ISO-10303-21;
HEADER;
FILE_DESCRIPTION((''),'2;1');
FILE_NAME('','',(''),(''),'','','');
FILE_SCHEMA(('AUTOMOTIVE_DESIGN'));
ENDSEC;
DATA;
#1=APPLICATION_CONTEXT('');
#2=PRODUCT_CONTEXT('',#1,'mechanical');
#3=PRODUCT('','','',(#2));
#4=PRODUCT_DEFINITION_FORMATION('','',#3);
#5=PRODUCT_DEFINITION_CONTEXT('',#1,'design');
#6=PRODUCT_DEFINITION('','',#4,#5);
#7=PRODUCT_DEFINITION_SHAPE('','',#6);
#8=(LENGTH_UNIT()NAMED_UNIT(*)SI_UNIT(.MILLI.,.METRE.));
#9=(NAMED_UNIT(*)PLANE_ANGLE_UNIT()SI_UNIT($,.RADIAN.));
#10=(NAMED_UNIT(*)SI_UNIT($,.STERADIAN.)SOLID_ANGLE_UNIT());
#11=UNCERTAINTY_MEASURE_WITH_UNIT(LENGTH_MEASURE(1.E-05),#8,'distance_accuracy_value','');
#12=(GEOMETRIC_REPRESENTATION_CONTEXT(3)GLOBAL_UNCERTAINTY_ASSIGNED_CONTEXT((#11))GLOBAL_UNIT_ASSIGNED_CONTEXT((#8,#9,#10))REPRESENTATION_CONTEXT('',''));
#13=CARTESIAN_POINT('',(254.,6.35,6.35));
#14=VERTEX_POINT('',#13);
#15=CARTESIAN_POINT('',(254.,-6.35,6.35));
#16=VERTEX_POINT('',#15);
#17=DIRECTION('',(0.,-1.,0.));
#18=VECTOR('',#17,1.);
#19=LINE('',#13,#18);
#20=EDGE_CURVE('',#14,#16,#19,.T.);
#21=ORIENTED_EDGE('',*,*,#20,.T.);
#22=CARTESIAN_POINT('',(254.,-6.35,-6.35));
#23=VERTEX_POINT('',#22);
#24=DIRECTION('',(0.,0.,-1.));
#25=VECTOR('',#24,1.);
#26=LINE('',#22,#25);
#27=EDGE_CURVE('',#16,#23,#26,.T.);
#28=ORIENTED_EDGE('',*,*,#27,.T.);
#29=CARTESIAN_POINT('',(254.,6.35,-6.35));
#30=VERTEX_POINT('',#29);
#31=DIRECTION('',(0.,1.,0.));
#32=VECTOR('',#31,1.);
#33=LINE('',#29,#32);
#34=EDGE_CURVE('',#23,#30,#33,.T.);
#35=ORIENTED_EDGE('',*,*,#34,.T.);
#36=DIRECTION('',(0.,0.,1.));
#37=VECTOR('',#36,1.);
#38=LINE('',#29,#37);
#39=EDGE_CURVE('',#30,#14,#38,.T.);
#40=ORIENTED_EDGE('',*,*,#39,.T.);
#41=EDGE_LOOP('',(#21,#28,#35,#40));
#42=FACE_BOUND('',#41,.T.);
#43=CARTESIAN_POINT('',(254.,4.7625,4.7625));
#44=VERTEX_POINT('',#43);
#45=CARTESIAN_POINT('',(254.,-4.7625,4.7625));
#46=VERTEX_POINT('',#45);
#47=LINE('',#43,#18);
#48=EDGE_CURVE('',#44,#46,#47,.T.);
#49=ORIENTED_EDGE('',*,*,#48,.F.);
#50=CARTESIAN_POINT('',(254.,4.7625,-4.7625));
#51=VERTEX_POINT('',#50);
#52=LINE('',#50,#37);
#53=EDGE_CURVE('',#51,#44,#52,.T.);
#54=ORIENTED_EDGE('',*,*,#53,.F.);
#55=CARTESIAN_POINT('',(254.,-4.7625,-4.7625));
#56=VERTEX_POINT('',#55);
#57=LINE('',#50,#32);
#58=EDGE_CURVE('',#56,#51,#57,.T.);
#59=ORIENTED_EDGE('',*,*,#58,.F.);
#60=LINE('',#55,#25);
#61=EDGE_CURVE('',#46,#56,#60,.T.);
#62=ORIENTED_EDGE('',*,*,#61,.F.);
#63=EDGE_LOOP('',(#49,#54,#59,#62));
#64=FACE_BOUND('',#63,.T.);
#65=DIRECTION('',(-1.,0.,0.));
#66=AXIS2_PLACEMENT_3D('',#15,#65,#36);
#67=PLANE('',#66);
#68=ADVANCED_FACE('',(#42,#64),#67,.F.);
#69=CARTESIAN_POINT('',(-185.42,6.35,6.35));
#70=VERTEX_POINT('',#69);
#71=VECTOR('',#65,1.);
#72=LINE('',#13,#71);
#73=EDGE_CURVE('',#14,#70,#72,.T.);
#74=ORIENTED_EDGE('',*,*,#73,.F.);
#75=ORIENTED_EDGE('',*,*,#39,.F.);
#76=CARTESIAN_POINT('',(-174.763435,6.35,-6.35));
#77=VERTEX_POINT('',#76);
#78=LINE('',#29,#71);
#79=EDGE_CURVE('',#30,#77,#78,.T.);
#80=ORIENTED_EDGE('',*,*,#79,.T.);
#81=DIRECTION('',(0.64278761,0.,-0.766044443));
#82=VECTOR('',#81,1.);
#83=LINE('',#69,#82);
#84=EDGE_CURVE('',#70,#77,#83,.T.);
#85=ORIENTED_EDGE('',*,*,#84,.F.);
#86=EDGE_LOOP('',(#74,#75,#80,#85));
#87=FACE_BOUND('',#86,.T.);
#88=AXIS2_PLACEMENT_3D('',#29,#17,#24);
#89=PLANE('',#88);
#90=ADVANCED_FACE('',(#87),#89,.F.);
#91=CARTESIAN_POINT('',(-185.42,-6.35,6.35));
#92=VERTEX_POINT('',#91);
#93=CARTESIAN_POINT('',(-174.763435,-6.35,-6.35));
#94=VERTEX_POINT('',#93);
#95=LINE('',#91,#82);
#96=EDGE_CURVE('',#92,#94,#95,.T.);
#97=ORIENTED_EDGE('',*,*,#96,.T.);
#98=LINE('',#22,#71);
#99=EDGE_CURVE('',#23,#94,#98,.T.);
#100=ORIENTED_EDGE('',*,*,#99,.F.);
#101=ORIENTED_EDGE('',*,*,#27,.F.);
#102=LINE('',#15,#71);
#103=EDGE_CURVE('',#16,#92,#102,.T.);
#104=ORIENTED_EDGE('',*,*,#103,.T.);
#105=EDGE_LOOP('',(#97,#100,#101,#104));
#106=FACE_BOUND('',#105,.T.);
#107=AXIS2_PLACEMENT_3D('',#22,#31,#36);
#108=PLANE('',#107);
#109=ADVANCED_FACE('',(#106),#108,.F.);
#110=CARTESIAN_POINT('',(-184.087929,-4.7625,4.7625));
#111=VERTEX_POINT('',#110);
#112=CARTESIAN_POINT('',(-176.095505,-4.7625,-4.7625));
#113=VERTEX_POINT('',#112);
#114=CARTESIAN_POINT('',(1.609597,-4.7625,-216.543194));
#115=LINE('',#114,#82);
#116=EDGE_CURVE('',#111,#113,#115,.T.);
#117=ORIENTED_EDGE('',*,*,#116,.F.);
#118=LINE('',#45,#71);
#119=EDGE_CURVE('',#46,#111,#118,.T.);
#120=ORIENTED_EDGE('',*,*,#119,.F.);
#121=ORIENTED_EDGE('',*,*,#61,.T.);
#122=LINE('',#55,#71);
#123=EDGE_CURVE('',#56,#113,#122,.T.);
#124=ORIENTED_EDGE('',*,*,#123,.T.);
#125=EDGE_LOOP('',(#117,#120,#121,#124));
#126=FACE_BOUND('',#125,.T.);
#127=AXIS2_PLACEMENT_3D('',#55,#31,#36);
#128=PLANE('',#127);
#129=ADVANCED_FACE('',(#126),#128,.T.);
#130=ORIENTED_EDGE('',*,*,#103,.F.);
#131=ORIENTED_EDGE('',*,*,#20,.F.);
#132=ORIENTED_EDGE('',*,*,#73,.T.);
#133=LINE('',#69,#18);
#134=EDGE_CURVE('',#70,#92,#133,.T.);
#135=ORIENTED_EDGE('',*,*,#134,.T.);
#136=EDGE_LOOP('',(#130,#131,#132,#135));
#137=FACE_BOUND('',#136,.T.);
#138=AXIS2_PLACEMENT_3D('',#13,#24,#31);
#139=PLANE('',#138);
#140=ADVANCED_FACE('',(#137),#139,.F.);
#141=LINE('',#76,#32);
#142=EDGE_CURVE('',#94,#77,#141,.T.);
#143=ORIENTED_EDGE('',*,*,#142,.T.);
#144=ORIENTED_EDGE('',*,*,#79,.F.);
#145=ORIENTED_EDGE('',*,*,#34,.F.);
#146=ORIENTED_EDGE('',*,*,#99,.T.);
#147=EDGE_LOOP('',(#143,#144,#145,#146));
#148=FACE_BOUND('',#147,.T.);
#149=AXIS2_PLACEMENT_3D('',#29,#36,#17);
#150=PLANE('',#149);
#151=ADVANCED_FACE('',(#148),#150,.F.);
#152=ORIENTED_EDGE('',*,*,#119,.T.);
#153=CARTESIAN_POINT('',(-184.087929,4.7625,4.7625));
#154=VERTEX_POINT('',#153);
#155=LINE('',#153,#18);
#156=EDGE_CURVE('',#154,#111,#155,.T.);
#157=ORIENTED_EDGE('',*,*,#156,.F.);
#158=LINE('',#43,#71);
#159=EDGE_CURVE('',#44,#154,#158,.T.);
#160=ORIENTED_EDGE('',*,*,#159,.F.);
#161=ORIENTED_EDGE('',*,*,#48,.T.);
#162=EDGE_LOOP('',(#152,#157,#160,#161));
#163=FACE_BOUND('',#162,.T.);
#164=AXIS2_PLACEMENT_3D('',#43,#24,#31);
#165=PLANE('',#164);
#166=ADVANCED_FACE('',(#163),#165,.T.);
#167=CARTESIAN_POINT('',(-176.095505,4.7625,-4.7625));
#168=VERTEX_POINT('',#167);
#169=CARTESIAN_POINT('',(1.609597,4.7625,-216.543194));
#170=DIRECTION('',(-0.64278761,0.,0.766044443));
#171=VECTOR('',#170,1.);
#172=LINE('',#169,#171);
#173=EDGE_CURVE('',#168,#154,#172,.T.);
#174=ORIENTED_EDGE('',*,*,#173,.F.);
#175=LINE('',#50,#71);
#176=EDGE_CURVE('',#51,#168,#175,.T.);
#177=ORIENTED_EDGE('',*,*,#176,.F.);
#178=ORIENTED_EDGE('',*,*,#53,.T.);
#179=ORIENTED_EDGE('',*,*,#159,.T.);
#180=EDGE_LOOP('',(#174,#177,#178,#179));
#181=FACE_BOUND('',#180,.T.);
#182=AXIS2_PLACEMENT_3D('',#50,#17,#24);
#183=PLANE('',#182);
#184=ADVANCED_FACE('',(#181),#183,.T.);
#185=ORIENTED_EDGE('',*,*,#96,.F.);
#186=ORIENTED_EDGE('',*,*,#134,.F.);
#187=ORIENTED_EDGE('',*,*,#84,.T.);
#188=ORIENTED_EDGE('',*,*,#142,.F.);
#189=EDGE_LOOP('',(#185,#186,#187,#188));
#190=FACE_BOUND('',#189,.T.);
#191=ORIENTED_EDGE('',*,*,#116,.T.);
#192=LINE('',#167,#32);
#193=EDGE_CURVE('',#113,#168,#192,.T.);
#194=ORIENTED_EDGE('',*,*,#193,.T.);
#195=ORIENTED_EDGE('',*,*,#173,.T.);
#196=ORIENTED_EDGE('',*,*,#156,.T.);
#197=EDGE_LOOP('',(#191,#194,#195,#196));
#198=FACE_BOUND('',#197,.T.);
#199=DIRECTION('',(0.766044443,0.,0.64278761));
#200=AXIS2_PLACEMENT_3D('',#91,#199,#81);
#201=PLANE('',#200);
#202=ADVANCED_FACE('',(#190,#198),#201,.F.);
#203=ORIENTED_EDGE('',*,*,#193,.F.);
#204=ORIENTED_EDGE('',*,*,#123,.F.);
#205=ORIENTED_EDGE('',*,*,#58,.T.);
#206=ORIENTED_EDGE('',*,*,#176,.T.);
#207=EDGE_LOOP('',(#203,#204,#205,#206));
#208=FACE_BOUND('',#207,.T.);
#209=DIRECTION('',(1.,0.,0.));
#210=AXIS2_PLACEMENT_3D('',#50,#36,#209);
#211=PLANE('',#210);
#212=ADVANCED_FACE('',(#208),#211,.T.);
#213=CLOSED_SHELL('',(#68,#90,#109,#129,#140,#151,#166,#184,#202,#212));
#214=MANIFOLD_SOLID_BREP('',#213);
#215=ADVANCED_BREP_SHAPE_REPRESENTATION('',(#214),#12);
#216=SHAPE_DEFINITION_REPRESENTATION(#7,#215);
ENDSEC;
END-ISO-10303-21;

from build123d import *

# Parameters (mm, degrees)
BOSS_EXTRUDE1_DEPTH      = 254
BOSS_EXTRUDE1_DEPTH_BACK = 185.42
SKETCH1_W                = 12.7
SKETCH1_H                = 12.7
SKETCH1_W_2              = 9.525
SKETCH1_H_2              = 9.525
CUT_EXTRUDE1_DEPTH       = 255.158700422
CUT_EXTRUDE1_DEPTH_BACK  = 255.158700422


with BuildPart() as part:
    # Sketch1 → Boss-Extrude1 (new, two sides: drawn at the far end of the back side and taken through both)
    with BuildSketch(Plane(origin=(0, 0, 0), x_dir=(0, 0, -1), z_dir=(1, 0, 0)).offset(-BOSS_EXTRUDE1_DEPTH_BACK)):
        Rectangle(SKETCH1_W, SKETCH1_H)
        Rectangle(SKETCH1_W_2, SKETCH1_H_2, mode=Mode.SUBTRACT)
    extrude(amount=BOSS_EXTRUDE1_DEPTH + BOSS_EXTRUDE1_DEPTH_BACK)

    # Sketch2 → Cut-Extrude1 (cut, two sides: drawn at the far end of the back side and taken through both)
    with BuildSketch(Plane(origin=(0, 0, 0), x_dir=(1, 0, 0), z_dir=(0, 1, 0)).offset(-CUT_EXTRUDE1_DEPTH_BACK)):
        Polygon((-185.42, -6.35), (-174.250456919, 6.961343094), (-183.078216502, 14.368712905), (-194.247759583, 1.057369811), align=None)
    extrude(amount=CUT_EXTRUDE1_DEPTH + CUT_EXTRUDE1_DEPTH_BACK, mode=Mode.SUBTRACT)


solid = part.part
